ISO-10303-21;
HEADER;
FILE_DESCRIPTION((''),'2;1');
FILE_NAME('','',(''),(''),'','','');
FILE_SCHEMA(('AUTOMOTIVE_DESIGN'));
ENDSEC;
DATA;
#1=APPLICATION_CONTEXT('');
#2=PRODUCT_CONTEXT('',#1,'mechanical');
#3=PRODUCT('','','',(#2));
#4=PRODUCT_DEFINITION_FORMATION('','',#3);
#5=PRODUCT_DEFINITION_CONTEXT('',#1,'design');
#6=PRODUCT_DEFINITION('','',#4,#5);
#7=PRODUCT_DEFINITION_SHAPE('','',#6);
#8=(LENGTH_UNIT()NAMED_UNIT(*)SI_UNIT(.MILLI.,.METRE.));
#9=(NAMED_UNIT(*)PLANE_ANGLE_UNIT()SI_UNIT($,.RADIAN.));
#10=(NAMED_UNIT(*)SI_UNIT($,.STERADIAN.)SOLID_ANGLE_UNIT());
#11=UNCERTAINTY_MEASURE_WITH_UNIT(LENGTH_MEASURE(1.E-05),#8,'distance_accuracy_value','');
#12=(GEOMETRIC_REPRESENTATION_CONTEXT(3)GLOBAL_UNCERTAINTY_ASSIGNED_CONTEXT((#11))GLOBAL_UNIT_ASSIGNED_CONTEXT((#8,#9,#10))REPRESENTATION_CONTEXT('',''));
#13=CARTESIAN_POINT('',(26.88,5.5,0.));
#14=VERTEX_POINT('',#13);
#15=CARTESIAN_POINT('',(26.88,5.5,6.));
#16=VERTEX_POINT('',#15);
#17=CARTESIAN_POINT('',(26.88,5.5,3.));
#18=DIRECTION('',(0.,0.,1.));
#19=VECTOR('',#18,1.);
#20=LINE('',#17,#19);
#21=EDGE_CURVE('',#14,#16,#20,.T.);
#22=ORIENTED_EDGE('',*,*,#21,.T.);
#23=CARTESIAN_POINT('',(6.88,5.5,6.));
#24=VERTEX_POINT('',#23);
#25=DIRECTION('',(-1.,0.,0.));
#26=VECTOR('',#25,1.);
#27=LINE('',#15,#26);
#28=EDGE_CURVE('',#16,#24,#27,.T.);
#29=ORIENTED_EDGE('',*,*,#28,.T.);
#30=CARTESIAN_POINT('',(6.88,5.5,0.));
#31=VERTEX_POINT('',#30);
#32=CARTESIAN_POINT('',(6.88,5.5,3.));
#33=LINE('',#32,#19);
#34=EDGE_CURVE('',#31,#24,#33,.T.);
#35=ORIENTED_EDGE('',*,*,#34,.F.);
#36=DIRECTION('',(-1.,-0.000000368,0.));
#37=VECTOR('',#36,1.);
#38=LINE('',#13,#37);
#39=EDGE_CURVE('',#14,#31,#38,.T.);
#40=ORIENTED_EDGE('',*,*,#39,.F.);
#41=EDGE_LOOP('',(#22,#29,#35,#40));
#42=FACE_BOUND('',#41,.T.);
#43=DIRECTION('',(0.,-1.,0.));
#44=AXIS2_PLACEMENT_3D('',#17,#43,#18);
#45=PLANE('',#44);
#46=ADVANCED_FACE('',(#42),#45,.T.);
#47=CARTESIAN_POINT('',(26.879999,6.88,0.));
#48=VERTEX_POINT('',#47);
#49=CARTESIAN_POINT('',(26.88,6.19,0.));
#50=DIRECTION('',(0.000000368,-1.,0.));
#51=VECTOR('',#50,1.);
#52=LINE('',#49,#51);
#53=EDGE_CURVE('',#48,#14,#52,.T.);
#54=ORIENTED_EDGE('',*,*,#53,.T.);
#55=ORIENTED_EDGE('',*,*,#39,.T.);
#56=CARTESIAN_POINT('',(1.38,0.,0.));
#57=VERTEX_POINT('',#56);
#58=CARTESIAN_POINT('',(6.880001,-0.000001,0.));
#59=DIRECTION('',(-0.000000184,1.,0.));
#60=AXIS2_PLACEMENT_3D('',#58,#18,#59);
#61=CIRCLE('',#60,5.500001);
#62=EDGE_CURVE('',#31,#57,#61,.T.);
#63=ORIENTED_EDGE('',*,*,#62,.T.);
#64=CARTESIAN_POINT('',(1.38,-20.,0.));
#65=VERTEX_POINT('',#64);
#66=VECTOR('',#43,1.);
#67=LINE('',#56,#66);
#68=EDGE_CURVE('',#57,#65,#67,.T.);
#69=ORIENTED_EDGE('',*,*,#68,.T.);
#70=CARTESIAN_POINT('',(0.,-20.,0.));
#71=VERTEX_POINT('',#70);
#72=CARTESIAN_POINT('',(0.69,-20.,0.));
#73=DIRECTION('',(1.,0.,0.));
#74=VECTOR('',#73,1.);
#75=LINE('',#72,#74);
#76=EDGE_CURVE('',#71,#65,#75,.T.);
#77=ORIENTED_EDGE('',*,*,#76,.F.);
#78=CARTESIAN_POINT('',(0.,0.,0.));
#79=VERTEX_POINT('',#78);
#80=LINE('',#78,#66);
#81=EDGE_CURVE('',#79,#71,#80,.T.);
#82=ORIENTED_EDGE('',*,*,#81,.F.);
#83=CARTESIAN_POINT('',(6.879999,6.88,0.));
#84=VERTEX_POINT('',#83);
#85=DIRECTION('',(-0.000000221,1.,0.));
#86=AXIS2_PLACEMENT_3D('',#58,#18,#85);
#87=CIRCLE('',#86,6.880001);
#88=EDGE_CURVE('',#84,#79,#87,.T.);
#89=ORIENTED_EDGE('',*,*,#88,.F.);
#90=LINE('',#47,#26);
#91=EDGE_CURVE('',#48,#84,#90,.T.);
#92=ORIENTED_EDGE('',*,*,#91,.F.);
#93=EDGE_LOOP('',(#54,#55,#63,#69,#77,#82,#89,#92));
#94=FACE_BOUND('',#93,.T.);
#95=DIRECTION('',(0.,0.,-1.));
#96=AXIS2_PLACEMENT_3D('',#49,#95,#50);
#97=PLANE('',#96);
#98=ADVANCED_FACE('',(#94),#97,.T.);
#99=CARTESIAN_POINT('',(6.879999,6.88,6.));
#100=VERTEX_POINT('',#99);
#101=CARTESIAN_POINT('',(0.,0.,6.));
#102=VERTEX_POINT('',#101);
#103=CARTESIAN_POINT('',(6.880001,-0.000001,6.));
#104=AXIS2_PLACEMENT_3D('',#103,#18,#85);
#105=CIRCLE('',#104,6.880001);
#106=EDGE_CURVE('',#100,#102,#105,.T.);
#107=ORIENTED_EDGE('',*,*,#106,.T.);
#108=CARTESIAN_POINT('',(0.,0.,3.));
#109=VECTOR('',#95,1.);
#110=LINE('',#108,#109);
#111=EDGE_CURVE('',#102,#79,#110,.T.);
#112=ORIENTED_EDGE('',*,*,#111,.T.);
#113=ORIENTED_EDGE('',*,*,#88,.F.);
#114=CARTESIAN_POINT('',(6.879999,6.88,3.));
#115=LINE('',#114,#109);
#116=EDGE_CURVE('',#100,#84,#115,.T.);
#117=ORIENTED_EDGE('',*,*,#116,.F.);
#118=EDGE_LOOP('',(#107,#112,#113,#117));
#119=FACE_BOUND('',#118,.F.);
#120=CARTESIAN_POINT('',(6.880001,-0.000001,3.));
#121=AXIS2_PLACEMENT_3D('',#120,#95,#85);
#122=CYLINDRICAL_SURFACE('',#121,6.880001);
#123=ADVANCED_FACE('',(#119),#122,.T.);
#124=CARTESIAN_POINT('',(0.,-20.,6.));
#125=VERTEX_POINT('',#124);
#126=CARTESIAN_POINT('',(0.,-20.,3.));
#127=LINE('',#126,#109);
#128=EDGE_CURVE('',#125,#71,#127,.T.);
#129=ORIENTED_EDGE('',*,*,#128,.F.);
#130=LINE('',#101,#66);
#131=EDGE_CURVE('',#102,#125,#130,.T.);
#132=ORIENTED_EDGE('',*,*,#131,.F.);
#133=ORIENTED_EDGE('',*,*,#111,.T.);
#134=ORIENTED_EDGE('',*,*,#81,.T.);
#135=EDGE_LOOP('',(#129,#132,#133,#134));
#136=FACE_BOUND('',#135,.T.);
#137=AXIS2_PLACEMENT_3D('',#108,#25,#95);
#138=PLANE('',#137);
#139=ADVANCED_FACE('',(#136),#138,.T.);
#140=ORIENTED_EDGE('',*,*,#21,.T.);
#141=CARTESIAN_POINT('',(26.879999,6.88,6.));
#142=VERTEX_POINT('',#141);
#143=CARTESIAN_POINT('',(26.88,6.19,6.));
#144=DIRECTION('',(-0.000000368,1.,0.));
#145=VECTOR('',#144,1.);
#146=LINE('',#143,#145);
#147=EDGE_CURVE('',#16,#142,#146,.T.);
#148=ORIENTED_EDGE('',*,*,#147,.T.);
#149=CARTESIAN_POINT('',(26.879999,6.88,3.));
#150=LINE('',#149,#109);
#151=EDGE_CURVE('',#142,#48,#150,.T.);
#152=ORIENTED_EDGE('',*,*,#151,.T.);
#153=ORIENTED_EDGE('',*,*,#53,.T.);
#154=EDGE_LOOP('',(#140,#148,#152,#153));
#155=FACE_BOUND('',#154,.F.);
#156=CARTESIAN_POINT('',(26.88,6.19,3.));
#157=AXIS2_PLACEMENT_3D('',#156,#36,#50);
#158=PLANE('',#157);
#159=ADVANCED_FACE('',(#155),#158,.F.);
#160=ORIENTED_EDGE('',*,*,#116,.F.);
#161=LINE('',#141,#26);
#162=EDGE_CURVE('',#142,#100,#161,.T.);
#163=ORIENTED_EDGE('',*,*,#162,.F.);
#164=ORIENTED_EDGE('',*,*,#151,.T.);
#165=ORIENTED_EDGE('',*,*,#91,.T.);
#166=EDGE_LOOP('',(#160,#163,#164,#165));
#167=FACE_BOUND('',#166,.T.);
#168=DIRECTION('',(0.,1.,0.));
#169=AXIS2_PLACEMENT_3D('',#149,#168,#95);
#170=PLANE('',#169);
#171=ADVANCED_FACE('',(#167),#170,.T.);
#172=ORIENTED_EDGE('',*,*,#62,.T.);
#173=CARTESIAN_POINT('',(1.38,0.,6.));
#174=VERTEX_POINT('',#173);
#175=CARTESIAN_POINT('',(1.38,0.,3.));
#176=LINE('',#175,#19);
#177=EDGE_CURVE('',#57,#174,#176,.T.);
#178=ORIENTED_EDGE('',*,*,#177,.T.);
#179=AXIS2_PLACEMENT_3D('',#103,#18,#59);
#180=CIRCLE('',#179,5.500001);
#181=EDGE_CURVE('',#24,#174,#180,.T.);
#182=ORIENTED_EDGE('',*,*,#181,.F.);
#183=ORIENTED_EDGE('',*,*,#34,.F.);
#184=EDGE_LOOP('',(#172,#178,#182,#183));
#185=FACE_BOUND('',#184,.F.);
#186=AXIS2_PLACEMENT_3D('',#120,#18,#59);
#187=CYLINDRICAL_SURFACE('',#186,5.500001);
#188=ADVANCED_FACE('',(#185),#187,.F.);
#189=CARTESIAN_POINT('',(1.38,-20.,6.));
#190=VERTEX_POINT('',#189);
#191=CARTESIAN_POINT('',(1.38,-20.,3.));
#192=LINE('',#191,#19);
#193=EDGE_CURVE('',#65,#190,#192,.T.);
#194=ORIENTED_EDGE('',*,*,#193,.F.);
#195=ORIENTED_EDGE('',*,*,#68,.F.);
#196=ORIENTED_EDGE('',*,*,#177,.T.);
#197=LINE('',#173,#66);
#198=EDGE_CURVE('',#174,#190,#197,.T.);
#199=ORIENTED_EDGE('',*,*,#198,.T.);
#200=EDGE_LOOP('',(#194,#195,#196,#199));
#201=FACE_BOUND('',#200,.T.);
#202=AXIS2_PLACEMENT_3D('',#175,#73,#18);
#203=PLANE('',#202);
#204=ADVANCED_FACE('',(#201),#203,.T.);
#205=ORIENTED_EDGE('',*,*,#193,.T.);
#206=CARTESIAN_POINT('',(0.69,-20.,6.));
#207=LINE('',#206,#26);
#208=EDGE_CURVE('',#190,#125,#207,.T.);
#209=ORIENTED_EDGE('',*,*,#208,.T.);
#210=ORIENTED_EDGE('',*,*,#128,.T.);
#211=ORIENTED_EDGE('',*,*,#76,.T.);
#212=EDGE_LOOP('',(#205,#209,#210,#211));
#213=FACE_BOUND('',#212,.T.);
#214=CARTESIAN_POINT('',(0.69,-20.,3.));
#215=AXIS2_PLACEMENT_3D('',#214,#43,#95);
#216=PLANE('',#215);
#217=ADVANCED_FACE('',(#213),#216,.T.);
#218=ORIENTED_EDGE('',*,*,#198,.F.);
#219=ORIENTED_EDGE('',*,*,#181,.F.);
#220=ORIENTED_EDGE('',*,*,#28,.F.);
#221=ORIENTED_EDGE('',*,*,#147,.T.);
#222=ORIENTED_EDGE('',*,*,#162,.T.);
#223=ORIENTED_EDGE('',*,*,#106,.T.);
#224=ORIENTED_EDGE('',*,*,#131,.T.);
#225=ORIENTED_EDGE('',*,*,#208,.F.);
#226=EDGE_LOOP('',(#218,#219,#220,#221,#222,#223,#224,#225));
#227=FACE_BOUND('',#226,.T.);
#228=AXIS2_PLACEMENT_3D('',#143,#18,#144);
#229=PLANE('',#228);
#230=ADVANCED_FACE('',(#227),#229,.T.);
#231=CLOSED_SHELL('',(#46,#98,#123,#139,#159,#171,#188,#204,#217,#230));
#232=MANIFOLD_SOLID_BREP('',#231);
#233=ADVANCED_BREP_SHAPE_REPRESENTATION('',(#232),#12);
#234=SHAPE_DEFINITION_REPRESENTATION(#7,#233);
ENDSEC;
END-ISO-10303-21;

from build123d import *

# Parameters (mm, degrees)
SKETCH016_W = 1.38
SKETCH016_H = 6


with BuildPart() as part:
    # AdditivePipe005: sweep along a path in Sketch015
    with BuildLine(Plane.XY) as additivepipe005_path:
        Line((26.88, 5.5), (6.88, 5.5))
        ThreePointArc((6.88, 5.5), (2.990913, 3.889087), (1.38, 0))
        Line((1.38, 0), (1.38, -20))
    # Sketch016 → AdditivePipe005 (sweep)
    with BuildSketch(Plane.XZ):
        with Locations((0.69, 3)):
            Rectangle(SKETCH016_W, SKETCH016_H)
    sweep(path=additivepipe005_path.line)


solid = part.part
